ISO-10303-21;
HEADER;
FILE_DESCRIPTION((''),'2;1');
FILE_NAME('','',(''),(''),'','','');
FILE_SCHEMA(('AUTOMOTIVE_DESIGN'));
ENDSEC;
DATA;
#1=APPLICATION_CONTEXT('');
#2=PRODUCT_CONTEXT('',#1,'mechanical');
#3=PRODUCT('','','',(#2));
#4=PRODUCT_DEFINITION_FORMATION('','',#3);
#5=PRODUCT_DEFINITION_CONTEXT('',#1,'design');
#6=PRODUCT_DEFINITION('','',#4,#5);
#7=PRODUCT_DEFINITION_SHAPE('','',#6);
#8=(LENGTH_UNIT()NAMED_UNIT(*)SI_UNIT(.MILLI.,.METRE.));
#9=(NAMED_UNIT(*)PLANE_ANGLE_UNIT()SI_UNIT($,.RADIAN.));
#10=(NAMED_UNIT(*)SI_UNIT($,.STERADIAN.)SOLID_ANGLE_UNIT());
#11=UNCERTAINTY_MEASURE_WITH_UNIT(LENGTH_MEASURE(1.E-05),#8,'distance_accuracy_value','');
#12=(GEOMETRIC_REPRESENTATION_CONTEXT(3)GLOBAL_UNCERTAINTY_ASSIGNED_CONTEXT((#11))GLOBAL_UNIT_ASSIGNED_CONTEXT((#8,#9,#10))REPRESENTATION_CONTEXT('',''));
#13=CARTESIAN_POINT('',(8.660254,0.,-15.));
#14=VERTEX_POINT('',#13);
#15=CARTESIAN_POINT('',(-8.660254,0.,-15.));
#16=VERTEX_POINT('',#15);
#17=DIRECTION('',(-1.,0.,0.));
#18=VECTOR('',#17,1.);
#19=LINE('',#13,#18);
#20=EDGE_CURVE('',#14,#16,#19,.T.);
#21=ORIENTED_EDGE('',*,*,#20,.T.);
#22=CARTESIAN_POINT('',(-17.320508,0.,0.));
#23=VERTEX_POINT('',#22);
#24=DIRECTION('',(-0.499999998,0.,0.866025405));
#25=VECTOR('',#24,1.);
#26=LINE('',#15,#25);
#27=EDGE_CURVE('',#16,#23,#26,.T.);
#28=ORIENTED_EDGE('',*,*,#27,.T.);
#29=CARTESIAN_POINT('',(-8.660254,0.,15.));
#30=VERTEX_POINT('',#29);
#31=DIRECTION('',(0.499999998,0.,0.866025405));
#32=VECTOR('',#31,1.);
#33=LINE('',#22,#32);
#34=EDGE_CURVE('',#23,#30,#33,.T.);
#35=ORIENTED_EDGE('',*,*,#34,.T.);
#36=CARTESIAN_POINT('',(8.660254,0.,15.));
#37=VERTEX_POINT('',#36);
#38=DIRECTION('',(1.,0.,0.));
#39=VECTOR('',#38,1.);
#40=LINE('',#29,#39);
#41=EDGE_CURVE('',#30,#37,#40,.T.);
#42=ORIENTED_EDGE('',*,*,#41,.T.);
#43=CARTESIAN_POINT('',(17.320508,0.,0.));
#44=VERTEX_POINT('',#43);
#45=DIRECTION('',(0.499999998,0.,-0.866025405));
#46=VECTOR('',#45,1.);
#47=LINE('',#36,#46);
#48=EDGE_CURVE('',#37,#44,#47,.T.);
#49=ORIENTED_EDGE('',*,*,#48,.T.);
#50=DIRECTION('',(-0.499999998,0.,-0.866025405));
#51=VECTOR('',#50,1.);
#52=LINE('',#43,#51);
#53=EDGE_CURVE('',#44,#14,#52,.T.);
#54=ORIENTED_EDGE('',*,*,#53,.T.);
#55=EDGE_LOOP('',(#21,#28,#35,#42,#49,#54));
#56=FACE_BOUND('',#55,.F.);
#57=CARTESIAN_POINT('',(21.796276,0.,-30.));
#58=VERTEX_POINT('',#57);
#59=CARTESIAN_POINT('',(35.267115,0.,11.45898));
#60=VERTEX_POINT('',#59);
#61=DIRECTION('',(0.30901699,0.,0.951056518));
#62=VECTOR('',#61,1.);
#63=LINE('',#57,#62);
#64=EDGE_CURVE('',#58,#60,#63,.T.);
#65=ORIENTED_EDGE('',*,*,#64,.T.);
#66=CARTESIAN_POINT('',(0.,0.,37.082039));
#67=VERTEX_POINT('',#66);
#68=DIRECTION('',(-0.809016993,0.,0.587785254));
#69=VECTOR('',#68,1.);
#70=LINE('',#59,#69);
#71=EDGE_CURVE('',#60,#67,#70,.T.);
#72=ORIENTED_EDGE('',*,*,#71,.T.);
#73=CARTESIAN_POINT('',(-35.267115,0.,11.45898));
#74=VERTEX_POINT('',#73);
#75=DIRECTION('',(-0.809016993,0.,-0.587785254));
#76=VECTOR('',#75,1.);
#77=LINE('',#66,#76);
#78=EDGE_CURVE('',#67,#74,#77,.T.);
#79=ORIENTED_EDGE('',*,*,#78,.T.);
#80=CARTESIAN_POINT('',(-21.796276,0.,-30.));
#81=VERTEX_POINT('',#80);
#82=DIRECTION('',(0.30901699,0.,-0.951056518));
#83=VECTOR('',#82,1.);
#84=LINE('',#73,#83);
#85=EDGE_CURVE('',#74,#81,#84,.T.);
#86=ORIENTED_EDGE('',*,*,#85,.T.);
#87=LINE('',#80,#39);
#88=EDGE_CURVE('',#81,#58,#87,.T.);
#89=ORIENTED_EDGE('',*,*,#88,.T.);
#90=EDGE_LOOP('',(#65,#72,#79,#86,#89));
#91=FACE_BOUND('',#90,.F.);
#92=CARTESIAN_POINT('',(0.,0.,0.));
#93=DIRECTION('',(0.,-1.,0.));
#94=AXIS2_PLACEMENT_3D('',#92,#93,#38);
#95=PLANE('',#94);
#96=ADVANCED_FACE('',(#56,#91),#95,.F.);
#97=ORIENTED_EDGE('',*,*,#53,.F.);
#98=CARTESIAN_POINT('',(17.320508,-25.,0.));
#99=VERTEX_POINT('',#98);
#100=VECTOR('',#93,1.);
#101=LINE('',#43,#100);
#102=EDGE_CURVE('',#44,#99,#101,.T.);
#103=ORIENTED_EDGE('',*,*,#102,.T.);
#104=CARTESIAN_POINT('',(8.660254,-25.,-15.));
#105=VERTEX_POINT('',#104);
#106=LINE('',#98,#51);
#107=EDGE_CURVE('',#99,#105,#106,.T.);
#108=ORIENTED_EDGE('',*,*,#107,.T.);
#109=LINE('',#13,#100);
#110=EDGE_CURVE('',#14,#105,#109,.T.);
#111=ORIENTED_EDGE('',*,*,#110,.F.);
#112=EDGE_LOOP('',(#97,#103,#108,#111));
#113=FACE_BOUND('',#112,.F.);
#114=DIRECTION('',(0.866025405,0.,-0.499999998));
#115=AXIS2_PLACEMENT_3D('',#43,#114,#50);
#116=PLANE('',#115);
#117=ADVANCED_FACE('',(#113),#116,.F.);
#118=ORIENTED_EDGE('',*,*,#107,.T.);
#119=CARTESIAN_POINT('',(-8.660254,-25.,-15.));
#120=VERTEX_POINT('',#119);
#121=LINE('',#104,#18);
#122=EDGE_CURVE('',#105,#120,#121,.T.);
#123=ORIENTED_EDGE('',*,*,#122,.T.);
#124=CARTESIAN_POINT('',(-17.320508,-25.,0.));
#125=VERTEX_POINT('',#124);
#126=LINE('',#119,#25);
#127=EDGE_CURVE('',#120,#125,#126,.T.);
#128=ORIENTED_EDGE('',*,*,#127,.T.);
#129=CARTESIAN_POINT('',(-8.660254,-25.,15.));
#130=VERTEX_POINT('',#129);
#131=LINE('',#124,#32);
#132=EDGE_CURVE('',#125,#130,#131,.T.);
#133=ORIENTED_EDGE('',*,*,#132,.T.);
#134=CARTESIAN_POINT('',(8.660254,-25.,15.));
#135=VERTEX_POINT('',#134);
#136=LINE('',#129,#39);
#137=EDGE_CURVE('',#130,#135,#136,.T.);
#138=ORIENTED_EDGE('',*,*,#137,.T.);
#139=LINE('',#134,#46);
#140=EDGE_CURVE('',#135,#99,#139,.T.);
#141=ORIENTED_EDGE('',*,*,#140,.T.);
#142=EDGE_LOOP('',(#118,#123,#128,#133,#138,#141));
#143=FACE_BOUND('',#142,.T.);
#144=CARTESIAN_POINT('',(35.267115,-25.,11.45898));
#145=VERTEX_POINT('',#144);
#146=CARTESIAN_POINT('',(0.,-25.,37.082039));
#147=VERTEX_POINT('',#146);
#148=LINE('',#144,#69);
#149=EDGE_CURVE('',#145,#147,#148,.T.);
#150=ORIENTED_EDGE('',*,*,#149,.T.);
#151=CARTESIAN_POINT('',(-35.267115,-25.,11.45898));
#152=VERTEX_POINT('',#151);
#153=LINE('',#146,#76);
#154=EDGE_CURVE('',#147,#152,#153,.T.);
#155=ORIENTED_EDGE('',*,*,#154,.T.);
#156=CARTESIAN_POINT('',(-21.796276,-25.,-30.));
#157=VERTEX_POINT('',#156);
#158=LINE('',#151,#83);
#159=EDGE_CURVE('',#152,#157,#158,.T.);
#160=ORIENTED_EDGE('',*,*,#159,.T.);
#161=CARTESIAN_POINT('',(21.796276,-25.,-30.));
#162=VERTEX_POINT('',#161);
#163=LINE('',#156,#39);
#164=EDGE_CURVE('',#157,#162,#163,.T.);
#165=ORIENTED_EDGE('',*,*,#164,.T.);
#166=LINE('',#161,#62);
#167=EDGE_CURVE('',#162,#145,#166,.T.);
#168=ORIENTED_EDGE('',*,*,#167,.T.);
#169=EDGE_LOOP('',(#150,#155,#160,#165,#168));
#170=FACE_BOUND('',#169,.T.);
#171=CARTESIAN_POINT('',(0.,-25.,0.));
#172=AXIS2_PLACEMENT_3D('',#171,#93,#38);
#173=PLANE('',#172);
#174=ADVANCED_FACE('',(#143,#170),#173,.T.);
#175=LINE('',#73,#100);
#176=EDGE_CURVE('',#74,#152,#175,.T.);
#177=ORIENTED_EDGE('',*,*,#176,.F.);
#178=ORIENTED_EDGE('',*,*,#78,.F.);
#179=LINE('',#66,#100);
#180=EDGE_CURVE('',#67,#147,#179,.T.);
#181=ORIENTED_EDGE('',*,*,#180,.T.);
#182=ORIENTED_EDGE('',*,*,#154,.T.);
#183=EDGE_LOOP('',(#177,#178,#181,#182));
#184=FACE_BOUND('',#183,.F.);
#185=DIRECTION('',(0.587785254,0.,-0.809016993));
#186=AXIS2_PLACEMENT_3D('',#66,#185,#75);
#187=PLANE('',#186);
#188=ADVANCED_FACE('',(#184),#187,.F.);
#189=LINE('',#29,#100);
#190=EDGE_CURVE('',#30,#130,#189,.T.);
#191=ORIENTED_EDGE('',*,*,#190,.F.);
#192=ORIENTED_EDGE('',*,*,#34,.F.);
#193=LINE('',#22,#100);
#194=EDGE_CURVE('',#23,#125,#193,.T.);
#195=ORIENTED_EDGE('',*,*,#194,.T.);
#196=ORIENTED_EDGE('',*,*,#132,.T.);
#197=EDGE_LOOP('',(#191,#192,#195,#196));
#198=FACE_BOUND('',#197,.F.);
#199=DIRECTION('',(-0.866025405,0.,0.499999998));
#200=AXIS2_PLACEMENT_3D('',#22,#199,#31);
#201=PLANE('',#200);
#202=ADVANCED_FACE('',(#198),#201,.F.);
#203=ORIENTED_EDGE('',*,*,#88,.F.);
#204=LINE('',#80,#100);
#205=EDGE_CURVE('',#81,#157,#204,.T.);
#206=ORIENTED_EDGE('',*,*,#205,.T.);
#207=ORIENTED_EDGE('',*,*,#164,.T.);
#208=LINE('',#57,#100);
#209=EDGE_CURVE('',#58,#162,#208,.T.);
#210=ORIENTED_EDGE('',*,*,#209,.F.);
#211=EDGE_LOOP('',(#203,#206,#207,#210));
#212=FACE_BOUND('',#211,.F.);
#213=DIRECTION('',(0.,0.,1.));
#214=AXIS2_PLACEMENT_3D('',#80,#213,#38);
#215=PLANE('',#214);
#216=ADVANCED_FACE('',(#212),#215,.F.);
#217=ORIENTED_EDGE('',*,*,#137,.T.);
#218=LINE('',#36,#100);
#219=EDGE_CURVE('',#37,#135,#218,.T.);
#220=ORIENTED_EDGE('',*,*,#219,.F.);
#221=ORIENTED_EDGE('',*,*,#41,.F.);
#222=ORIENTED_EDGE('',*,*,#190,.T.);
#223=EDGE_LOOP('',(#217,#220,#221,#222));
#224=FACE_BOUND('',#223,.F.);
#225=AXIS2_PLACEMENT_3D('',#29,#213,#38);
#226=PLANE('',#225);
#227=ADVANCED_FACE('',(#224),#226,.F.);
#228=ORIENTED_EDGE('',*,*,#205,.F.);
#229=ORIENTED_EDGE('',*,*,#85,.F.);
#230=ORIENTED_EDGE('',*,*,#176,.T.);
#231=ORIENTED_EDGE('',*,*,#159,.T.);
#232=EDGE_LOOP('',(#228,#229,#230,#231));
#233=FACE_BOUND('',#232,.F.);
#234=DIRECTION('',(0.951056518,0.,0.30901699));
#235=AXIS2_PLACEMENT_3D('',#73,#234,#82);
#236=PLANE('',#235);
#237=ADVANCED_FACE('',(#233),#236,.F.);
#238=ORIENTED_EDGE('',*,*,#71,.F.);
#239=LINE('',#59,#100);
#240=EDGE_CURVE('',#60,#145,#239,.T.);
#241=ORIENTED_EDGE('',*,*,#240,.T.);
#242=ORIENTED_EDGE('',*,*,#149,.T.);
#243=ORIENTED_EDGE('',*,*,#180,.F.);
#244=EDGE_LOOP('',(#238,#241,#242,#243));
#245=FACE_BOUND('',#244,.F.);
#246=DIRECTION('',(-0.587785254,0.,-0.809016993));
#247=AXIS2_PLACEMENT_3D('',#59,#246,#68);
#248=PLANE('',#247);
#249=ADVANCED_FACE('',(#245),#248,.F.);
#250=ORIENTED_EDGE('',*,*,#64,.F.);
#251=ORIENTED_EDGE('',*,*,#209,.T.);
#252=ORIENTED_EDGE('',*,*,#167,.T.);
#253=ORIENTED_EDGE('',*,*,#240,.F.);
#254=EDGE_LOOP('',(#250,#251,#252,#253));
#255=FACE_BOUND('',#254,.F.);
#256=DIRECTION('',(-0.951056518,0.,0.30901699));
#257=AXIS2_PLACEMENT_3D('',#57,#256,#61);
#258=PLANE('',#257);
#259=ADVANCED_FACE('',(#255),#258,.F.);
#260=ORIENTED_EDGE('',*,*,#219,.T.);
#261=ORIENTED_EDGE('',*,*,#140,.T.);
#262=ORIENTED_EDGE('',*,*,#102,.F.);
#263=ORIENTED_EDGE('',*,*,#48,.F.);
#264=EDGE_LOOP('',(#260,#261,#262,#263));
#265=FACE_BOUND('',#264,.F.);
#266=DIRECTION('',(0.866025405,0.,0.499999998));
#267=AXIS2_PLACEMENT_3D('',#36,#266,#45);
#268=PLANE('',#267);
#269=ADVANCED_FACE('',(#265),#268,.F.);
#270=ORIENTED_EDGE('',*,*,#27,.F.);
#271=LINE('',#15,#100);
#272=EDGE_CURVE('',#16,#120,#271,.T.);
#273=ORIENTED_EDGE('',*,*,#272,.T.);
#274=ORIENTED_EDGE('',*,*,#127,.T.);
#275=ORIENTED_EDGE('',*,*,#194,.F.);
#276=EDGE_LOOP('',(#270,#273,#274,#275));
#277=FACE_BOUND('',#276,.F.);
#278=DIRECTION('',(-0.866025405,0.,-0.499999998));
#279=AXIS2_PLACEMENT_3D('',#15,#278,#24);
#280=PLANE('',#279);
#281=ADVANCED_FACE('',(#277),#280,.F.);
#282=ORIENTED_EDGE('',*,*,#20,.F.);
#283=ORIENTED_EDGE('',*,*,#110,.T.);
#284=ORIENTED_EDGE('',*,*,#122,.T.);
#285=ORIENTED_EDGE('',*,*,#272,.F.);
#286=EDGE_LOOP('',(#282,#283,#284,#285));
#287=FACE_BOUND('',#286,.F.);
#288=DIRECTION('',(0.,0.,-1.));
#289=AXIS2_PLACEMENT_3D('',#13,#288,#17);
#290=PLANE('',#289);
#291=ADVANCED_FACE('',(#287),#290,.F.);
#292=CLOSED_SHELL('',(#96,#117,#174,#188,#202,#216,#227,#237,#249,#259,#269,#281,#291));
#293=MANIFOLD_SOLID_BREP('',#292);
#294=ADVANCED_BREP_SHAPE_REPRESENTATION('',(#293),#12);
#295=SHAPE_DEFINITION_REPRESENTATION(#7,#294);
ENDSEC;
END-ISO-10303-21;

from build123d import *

# Parameters (mm, degrees)
F1_DEPTH = 25


with BuildPart() as f1:
    # F0 (on Front) → F1 (new body)
    with BuildSketch(Plane.XZ):
        Polygon((0, 37.082039), (-35.267115, 11.45898), (-21.796276, -30), (21.796276, -30), (35.267115, 11.45898), align=None)
        Polygon((-17.320508, 0), (-8.660254, 15), (8.660254, 15), (17.320508, 0), (8.660254, -15), (-8.660254, -15), align=None, mode=Mode.SUBTRACT)
    extrude(amount=F1_DEPTH)


solid = f1.part
